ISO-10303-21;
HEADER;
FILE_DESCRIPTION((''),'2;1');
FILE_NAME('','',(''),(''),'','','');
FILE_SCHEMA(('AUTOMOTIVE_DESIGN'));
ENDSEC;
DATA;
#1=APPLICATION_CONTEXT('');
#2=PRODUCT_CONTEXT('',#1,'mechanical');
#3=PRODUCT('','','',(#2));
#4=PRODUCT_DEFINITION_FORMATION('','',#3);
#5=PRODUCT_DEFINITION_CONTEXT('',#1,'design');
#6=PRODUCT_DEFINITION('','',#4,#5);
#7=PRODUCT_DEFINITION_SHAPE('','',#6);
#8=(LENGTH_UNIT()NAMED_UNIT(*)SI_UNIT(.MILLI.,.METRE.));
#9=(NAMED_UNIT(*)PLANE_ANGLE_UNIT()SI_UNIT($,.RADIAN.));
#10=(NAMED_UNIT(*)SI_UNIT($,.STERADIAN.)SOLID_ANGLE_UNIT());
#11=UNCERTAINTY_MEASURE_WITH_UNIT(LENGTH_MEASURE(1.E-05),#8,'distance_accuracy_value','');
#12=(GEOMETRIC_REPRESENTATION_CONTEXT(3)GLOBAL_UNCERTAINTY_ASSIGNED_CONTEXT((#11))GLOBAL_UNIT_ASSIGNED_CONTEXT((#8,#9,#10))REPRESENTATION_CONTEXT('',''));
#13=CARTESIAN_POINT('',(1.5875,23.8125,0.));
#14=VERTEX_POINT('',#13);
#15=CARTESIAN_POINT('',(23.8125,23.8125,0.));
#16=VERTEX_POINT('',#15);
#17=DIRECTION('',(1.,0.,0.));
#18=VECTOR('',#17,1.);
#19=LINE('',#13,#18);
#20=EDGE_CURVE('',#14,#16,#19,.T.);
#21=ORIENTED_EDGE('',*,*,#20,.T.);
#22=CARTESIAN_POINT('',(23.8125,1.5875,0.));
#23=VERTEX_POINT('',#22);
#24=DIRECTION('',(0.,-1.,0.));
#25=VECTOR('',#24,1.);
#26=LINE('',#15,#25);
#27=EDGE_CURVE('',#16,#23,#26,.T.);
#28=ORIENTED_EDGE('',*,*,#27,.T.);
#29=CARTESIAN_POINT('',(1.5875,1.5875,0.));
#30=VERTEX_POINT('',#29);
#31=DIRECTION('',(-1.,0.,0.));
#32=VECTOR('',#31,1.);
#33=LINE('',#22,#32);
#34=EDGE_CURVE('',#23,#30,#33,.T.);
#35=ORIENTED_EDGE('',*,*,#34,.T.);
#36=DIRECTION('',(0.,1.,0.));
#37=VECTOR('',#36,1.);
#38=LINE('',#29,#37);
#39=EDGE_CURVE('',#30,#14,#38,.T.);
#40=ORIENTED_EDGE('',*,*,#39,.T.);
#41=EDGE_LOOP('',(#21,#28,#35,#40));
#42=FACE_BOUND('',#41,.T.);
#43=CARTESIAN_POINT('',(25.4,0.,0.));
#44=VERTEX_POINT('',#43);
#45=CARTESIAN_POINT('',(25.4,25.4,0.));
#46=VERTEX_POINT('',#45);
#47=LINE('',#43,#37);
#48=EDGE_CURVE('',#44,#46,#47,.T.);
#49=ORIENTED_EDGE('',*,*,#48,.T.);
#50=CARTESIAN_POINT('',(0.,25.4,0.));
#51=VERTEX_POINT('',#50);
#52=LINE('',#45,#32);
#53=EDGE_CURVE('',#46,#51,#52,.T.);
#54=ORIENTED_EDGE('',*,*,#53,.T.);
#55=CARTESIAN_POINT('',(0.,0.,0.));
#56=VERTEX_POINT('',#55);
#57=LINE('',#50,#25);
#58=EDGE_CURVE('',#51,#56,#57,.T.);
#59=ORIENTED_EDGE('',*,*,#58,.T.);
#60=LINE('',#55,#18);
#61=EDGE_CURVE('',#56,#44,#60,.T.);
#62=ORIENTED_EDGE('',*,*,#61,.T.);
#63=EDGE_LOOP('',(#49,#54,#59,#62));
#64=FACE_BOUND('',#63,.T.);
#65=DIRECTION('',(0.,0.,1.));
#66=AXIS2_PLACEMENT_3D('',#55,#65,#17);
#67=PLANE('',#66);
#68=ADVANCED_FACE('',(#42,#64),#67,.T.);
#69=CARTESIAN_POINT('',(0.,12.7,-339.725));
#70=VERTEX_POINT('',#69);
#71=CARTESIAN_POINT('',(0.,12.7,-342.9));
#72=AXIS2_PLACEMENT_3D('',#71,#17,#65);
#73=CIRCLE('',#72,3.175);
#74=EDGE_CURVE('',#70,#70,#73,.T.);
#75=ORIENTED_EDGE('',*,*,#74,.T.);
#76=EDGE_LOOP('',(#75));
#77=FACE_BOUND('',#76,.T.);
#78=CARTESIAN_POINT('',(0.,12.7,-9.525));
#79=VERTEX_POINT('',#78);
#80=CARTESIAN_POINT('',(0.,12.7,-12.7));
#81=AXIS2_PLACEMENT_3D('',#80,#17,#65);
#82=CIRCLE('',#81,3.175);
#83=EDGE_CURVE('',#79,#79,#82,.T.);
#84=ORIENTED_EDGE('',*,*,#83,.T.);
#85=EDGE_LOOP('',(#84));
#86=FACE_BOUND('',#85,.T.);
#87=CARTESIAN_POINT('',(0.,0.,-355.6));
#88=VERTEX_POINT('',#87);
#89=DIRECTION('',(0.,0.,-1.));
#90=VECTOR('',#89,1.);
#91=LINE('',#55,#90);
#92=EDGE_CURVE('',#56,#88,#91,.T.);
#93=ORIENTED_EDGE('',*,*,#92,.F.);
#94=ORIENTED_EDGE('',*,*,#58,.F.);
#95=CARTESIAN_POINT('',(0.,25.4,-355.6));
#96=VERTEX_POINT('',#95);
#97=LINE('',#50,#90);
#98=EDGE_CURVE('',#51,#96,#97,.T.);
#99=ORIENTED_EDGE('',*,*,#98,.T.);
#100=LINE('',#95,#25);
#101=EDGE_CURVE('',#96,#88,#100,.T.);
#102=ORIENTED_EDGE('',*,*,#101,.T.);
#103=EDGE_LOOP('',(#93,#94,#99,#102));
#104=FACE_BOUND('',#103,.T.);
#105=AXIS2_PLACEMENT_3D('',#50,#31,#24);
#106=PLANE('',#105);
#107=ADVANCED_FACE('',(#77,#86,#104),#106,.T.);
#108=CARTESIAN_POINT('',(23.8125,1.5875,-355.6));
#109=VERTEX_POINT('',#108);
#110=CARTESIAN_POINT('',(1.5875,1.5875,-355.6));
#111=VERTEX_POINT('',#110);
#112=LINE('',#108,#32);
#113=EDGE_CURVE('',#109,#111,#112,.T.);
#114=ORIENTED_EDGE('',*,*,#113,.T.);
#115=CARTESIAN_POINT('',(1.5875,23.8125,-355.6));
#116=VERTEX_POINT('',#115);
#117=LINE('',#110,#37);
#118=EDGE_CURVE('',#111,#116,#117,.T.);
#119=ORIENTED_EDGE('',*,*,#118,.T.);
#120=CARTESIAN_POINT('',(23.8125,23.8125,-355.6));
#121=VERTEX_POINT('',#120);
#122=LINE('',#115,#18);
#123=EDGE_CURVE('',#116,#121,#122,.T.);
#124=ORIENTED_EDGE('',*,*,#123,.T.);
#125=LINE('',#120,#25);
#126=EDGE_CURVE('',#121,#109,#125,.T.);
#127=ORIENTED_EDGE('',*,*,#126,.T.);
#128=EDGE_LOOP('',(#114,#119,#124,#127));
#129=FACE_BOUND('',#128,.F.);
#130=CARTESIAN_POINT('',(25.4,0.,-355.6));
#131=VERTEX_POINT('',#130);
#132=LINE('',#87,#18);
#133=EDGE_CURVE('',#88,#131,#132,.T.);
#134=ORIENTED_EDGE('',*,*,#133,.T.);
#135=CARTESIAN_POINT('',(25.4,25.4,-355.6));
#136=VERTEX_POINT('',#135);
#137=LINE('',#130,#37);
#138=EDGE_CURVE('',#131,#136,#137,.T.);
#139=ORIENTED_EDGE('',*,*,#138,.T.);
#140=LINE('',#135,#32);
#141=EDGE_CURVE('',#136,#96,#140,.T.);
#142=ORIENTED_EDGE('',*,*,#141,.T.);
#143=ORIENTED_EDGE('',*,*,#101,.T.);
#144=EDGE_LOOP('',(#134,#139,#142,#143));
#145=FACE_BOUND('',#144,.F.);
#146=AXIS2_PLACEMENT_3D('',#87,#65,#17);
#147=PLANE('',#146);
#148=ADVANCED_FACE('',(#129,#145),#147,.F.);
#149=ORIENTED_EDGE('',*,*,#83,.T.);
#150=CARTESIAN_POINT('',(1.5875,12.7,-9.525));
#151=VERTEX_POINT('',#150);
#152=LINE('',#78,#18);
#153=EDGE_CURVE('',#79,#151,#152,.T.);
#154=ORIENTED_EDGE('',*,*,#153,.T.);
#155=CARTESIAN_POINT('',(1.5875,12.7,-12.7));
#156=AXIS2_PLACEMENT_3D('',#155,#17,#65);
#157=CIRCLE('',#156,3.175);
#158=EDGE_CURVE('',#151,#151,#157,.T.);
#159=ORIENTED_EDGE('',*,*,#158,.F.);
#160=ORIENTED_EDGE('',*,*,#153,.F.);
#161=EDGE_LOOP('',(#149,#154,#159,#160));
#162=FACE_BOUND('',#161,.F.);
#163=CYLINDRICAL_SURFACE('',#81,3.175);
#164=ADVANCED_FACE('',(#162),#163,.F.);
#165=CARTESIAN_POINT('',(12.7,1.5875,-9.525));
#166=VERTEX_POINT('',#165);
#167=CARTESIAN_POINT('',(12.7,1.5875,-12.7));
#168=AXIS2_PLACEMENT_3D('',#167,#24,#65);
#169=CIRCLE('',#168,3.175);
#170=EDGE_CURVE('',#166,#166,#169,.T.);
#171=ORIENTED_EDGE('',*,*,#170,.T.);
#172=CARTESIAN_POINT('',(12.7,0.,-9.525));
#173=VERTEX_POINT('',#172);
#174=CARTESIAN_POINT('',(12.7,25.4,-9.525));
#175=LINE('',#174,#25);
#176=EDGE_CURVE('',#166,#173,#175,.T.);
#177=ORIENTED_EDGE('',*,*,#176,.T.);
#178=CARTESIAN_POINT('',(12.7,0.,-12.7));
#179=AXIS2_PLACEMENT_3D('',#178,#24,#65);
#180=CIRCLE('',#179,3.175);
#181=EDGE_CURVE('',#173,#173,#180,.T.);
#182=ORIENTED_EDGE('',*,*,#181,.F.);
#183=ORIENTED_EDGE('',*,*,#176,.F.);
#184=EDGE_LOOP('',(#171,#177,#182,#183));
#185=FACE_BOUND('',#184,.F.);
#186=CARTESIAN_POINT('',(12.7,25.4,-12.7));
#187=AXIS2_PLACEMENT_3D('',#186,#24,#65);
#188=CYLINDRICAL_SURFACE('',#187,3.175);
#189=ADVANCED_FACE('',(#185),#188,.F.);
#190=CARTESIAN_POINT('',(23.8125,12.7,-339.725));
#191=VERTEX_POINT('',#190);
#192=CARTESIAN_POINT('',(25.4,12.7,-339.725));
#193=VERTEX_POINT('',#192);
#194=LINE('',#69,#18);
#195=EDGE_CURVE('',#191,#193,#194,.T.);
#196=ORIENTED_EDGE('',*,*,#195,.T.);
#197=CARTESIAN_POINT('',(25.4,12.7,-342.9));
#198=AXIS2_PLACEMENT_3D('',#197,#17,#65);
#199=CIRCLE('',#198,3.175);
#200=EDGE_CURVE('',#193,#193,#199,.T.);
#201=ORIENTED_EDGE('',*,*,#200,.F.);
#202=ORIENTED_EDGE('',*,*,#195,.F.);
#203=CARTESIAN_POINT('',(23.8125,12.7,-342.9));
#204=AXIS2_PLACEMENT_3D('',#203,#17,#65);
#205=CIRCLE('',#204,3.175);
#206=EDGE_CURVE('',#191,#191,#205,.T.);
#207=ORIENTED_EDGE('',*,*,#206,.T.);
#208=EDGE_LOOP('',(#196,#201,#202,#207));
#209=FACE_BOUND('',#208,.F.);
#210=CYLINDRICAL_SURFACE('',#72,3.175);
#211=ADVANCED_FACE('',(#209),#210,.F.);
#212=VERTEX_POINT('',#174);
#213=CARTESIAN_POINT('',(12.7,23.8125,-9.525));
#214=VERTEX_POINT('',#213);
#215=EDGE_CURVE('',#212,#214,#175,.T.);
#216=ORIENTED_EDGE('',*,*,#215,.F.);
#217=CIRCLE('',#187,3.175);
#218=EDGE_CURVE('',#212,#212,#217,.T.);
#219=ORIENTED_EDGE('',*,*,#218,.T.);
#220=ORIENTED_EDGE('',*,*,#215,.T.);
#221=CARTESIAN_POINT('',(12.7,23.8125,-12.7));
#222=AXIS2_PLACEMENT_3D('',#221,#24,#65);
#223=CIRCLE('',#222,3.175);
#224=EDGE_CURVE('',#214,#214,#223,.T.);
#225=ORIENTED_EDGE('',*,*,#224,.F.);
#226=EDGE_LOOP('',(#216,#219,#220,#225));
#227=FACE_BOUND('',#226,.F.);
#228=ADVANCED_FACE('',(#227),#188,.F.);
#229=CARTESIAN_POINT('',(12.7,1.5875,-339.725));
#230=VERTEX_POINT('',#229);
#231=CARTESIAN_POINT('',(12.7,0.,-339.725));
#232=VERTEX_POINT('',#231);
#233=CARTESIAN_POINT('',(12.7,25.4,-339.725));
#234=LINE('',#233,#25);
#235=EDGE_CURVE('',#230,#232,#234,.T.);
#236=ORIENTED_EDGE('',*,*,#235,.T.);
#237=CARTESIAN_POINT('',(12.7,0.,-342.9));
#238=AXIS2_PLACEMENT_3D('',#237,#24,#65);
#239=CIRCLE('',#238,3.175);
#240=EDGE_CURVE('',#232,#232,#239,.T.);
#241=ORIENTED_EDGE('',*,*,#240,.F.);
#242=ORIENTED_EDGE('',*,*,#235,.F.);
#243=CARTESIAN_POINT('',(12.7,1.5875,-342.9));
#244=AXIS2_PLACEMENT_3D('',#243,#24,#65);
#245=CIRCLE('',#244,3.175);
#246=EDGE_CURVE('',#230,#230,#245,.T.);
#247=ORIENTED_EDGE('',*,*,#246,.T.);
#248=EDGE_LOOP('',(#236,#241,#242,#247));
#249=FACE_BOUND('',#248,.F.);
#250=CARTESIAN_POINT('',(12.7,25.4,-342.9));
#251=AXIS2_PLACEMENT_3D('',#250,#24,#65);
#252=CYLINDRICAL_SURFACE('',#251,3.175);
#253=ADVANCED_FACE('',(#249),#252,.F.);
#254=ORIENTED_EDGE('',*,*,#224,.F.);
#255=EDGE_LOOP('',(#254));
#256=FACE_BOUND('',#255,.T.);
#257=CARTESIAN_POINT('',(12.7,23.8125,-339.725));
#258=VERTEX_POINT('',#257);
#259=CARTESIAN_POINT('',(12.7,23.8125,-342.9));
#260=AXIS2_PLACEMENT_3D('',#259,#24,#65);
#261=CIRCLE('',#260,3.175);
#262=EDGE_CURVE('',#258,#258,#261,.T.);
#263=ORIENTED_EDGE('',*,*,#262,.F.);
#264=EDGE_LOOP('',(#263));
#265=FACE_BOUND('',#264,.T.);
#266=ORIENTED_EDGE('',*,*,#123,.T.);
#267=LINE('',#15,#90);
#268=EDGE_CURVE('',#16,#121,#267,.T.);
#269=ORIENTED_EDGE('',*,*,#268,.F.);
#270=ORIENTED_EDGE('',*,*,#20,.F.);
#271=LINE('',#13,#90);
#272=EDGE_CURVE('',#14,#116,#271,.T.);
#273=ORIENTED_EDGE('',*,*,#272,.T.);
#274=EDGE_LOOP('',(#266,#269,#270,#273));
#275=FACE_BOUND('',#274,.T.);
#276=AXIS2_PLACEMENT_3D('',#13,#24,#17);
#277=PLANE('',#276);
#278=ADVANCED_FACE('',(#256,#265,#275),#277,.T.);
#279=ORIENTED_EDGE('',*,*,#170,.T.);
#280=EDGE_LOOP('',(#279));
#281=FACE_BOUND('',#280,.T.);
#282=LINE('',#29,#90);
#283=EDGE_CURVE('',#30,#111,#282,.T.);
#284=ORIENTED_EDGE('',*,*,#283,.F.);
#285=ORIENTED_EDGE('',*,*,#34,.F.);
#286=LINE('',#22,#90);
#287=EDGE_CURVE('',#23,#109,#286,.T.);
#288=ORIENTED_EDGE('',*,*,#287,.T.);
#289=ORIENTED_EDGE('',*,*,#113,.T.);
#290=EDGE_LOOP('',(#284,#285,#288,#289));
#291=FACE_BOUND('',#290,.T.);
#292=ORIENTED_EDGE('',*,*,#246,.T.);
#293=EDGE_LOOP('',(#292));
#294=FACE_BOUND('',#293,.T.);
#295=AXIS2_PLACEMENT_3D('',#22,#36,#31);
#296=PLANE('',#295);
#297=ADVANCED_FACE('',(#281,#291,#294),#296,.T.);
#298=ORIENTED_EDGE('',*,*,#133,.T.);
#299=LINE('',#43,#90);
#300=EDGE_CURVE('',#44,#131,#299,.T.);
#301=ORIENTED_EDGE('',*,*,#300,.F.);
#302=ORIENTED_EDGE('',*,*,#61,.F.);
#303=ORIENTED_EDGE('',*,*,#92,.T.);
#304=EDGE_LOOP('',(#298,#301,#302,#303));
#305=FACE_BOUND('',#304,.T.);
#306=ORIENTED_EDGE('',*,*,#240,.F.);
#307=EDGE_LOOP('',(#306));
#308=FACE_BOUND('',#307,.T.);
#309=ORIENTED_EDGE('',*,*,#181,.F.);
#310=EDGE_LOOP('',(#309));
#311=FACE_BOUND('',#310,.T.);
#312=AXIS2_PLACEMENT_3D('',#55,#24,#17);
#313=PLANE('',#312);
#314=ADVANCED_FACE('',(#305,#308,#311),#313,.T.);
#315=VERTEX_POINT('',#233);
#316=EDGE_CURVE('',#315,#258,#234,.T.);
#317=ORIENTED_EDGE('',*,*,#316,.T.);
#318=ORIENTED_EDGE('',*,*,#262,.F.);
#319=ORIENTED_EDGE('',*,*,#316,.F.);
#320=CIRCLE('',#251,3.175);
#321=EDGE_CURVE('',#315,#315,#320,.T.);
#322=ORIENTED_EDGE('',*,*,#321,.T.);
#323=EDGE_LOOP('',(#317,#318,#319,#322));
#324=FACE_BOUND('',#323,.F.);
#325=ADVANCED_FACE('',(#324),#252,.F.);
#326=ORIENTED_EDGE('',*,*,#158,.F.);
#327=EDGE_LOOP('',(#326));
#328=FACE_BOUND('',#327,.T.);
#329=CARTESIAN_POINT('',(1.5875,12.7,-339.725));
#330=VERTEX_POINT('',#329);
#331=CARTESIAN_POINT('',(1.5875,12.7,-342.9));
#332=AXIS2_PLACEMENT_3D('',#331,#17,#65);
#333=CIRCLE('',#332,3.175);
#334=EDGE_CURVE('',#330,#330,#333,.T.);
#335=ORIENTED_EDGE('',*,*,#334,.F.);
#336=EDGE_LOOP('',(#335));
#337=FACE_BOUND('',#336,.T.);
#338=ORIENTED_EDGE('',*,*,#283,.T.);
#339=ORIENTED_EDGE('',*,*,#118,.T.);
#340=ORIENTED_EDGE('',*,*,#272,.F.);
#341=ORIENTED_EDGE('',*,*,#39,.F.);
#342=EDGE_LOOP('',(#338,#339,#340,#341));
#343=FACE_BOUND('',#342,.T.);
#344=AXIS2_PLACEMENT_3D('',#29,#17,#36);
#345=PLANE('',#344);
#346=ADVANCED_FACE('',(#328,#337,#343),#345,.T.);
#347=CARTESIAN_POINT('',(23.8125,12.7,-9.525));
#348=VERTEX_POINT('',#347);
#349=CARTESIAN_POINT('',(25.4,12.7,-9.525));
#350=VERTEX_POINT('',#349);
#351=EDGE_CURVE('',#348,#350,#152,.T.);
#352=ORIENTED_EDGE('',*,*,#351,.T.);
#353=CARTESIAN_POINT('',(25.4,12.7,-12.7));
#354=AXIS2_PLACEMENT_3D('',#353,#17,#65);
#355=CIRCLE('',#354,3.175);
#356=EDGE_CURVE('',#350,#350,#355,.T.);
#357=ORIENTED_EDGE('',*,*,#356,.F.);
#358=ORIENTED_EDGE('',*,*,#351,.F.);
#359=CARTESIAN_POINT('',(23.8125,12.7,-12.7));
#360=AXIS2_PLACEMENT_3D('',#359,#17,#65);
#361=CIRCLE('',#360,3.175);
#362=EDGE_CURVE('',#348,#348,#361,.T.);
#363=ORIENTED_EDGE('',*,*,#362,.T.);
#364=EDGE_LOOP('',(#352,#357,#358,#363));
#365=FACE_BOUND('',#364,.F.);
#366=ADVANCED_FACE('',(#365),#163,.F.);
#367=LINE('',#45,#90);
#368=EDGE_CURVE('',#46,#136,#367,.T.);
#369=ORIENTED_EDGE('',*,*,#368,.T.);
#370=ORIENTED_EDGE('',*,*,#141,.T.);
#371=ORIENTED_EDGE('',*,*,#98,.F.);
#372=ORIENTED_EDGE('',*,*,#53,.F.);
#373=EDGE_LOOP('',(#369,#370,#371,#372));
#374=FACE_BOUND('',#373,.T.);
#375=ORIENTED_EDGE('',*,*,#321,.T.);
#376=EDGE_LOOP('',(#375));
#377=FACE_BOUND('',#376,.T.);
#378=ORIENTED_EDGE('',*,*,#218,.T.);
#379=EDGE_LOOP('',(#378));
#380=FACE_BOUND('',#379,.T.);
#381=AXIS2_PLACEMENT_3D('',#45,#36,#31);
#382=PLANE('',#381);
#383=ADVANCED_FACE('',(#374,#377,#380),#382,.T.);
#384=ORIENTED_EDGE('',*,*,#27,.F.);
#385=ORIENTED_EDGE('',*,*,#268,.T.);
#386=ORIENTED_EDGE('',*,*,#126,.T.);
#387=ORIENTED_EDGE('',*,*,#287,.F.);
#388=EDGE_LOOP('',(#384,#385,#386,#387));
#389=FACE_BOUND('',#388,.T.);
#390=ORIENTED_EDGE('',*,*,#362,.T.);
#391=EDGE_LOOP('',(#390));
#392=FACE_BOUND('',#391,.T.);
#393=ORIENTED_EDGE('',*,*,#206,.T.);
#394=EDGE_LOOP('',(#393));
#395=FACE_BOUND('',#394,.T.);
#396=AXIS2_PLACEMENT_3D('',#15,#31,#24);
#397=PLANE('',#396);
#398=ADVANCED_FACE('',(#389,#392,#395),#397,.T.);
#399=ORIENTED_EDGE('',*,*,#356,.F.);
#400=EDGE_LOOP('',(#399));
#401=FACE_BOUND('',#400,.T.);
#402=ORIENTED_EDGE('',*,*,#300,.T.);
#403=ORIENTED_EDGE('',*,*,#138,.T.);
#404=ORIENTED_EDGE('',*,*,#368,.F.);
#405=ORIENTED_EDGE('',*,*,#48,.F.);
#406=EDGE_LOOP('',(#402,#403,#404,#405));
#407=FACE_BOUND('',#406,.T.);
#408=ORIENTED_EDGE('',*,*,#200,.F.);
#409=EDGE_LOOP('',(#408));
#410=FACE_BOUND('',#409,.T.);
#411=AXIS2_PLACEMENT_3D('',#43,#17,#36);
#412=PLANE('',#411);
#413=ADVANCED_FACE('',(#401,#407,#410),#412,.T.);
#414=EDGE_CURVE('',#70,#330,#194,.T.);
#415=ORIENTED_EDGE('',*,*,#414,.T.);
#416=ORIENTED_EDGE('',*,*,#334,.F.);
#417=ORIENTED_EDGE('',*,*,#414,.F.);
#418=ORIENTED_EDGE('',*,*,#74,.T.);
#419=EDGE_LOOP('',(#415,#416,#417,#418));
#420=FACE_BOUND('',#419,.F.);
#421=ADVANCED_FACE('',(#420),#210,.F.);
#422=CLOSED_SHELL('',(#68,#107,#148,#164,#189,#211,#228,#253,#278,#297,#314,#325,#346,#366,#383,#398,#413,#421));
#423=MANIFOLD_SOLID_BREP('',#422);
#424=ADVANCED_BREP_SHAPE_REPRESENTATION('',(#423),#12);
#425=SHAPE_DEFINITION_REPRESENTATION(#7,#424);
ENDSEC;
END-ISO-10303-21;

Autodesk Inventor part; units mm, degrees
ref_plane "YZ Plane" through (0, 0, 0) normal (1, 0, 0) x (0, 1, 0)
ref_plane "XZ Plane" through (0, 0, 0) normal (0, 1, 0) x (-1, 0, 0)
ref_plane "XY Plane" through (0, 0, 0) normal (0, 0, 1) x (1, 0, 0)
sketch "Sketch1" plane through (0, 0, 0) normal (0, 0, 1) x (1, 0, 0)
  line L0 (0, 0) -> (25.4, 0)
  line L1 (25.4, 0) -> (25.4, 25.4)
  line L2 (25.4, 25.4) -> (0, 25.4)
  line L3 (0, 25.4) -> (0, 0)
  line L4 (1.5875, 23.8125) -> (23.8125, 23.8125)
  line L5 (23.8125, 23.8125) -> (23.8125, 1.5875)
  line L6 (23.8125, 1.5875) -> (1.5875, 1.5875)
  line L7 (1.5875, 1.5875) -> (1.5875, 23.8125)
  dimension "d0" = 25.4
  dimension "d1" = 25.4
  dimension "d2" = 1.5875
extrude "Extrusion1" add sketch "Sketch1" against normal blind 355.6
sketch "Sketch2" plane through (0, 0, 0) normal (-1, 0, 0) x (0, 0, 1)
  line L0 (-355.6, 25.4) -> (-355.6, 0) projected
  line L1 (0, 0) -> (-355.6, 0) projected
  line L2 (0, 25.4) -> (0, 0) projected
  point P0 (-12.7, 12.7)
  point P1 (-342.9, 12.7)
  dimension "d5" = 12.7
  dimension "d6" = 12.7
  dimension "d7" = 12.7
hole "Hole1" at (0, 12.7, -12.7) at (0, 12.7, -342.9) direction (1, 0, 0) diameter 6.35 depth 25.4 tip angle 118
sketch "Sketch3" plane through (0, 25.4, 0) normal (0, 1, 0) x (1, 0, 0)
  line L0 (25.4, 355.6) -> (0, 355.6) projected
  line L1 (25.4, 0) -> (0, 0) projected
  point P0 (12.7, 12.7)
  point P1 (12.7, 342.9)
  dimension "d15" = 12.7
  dimension "d16" = 12.7
hole "Hole2" at (12.7, 25.4, -12.7) at (12.7, 25.4, -342.9) direction (0, -1, 0) diameter 6.35 depth 25.4 tip angle 118
properties part number "1tube_14_layer1_inside"
